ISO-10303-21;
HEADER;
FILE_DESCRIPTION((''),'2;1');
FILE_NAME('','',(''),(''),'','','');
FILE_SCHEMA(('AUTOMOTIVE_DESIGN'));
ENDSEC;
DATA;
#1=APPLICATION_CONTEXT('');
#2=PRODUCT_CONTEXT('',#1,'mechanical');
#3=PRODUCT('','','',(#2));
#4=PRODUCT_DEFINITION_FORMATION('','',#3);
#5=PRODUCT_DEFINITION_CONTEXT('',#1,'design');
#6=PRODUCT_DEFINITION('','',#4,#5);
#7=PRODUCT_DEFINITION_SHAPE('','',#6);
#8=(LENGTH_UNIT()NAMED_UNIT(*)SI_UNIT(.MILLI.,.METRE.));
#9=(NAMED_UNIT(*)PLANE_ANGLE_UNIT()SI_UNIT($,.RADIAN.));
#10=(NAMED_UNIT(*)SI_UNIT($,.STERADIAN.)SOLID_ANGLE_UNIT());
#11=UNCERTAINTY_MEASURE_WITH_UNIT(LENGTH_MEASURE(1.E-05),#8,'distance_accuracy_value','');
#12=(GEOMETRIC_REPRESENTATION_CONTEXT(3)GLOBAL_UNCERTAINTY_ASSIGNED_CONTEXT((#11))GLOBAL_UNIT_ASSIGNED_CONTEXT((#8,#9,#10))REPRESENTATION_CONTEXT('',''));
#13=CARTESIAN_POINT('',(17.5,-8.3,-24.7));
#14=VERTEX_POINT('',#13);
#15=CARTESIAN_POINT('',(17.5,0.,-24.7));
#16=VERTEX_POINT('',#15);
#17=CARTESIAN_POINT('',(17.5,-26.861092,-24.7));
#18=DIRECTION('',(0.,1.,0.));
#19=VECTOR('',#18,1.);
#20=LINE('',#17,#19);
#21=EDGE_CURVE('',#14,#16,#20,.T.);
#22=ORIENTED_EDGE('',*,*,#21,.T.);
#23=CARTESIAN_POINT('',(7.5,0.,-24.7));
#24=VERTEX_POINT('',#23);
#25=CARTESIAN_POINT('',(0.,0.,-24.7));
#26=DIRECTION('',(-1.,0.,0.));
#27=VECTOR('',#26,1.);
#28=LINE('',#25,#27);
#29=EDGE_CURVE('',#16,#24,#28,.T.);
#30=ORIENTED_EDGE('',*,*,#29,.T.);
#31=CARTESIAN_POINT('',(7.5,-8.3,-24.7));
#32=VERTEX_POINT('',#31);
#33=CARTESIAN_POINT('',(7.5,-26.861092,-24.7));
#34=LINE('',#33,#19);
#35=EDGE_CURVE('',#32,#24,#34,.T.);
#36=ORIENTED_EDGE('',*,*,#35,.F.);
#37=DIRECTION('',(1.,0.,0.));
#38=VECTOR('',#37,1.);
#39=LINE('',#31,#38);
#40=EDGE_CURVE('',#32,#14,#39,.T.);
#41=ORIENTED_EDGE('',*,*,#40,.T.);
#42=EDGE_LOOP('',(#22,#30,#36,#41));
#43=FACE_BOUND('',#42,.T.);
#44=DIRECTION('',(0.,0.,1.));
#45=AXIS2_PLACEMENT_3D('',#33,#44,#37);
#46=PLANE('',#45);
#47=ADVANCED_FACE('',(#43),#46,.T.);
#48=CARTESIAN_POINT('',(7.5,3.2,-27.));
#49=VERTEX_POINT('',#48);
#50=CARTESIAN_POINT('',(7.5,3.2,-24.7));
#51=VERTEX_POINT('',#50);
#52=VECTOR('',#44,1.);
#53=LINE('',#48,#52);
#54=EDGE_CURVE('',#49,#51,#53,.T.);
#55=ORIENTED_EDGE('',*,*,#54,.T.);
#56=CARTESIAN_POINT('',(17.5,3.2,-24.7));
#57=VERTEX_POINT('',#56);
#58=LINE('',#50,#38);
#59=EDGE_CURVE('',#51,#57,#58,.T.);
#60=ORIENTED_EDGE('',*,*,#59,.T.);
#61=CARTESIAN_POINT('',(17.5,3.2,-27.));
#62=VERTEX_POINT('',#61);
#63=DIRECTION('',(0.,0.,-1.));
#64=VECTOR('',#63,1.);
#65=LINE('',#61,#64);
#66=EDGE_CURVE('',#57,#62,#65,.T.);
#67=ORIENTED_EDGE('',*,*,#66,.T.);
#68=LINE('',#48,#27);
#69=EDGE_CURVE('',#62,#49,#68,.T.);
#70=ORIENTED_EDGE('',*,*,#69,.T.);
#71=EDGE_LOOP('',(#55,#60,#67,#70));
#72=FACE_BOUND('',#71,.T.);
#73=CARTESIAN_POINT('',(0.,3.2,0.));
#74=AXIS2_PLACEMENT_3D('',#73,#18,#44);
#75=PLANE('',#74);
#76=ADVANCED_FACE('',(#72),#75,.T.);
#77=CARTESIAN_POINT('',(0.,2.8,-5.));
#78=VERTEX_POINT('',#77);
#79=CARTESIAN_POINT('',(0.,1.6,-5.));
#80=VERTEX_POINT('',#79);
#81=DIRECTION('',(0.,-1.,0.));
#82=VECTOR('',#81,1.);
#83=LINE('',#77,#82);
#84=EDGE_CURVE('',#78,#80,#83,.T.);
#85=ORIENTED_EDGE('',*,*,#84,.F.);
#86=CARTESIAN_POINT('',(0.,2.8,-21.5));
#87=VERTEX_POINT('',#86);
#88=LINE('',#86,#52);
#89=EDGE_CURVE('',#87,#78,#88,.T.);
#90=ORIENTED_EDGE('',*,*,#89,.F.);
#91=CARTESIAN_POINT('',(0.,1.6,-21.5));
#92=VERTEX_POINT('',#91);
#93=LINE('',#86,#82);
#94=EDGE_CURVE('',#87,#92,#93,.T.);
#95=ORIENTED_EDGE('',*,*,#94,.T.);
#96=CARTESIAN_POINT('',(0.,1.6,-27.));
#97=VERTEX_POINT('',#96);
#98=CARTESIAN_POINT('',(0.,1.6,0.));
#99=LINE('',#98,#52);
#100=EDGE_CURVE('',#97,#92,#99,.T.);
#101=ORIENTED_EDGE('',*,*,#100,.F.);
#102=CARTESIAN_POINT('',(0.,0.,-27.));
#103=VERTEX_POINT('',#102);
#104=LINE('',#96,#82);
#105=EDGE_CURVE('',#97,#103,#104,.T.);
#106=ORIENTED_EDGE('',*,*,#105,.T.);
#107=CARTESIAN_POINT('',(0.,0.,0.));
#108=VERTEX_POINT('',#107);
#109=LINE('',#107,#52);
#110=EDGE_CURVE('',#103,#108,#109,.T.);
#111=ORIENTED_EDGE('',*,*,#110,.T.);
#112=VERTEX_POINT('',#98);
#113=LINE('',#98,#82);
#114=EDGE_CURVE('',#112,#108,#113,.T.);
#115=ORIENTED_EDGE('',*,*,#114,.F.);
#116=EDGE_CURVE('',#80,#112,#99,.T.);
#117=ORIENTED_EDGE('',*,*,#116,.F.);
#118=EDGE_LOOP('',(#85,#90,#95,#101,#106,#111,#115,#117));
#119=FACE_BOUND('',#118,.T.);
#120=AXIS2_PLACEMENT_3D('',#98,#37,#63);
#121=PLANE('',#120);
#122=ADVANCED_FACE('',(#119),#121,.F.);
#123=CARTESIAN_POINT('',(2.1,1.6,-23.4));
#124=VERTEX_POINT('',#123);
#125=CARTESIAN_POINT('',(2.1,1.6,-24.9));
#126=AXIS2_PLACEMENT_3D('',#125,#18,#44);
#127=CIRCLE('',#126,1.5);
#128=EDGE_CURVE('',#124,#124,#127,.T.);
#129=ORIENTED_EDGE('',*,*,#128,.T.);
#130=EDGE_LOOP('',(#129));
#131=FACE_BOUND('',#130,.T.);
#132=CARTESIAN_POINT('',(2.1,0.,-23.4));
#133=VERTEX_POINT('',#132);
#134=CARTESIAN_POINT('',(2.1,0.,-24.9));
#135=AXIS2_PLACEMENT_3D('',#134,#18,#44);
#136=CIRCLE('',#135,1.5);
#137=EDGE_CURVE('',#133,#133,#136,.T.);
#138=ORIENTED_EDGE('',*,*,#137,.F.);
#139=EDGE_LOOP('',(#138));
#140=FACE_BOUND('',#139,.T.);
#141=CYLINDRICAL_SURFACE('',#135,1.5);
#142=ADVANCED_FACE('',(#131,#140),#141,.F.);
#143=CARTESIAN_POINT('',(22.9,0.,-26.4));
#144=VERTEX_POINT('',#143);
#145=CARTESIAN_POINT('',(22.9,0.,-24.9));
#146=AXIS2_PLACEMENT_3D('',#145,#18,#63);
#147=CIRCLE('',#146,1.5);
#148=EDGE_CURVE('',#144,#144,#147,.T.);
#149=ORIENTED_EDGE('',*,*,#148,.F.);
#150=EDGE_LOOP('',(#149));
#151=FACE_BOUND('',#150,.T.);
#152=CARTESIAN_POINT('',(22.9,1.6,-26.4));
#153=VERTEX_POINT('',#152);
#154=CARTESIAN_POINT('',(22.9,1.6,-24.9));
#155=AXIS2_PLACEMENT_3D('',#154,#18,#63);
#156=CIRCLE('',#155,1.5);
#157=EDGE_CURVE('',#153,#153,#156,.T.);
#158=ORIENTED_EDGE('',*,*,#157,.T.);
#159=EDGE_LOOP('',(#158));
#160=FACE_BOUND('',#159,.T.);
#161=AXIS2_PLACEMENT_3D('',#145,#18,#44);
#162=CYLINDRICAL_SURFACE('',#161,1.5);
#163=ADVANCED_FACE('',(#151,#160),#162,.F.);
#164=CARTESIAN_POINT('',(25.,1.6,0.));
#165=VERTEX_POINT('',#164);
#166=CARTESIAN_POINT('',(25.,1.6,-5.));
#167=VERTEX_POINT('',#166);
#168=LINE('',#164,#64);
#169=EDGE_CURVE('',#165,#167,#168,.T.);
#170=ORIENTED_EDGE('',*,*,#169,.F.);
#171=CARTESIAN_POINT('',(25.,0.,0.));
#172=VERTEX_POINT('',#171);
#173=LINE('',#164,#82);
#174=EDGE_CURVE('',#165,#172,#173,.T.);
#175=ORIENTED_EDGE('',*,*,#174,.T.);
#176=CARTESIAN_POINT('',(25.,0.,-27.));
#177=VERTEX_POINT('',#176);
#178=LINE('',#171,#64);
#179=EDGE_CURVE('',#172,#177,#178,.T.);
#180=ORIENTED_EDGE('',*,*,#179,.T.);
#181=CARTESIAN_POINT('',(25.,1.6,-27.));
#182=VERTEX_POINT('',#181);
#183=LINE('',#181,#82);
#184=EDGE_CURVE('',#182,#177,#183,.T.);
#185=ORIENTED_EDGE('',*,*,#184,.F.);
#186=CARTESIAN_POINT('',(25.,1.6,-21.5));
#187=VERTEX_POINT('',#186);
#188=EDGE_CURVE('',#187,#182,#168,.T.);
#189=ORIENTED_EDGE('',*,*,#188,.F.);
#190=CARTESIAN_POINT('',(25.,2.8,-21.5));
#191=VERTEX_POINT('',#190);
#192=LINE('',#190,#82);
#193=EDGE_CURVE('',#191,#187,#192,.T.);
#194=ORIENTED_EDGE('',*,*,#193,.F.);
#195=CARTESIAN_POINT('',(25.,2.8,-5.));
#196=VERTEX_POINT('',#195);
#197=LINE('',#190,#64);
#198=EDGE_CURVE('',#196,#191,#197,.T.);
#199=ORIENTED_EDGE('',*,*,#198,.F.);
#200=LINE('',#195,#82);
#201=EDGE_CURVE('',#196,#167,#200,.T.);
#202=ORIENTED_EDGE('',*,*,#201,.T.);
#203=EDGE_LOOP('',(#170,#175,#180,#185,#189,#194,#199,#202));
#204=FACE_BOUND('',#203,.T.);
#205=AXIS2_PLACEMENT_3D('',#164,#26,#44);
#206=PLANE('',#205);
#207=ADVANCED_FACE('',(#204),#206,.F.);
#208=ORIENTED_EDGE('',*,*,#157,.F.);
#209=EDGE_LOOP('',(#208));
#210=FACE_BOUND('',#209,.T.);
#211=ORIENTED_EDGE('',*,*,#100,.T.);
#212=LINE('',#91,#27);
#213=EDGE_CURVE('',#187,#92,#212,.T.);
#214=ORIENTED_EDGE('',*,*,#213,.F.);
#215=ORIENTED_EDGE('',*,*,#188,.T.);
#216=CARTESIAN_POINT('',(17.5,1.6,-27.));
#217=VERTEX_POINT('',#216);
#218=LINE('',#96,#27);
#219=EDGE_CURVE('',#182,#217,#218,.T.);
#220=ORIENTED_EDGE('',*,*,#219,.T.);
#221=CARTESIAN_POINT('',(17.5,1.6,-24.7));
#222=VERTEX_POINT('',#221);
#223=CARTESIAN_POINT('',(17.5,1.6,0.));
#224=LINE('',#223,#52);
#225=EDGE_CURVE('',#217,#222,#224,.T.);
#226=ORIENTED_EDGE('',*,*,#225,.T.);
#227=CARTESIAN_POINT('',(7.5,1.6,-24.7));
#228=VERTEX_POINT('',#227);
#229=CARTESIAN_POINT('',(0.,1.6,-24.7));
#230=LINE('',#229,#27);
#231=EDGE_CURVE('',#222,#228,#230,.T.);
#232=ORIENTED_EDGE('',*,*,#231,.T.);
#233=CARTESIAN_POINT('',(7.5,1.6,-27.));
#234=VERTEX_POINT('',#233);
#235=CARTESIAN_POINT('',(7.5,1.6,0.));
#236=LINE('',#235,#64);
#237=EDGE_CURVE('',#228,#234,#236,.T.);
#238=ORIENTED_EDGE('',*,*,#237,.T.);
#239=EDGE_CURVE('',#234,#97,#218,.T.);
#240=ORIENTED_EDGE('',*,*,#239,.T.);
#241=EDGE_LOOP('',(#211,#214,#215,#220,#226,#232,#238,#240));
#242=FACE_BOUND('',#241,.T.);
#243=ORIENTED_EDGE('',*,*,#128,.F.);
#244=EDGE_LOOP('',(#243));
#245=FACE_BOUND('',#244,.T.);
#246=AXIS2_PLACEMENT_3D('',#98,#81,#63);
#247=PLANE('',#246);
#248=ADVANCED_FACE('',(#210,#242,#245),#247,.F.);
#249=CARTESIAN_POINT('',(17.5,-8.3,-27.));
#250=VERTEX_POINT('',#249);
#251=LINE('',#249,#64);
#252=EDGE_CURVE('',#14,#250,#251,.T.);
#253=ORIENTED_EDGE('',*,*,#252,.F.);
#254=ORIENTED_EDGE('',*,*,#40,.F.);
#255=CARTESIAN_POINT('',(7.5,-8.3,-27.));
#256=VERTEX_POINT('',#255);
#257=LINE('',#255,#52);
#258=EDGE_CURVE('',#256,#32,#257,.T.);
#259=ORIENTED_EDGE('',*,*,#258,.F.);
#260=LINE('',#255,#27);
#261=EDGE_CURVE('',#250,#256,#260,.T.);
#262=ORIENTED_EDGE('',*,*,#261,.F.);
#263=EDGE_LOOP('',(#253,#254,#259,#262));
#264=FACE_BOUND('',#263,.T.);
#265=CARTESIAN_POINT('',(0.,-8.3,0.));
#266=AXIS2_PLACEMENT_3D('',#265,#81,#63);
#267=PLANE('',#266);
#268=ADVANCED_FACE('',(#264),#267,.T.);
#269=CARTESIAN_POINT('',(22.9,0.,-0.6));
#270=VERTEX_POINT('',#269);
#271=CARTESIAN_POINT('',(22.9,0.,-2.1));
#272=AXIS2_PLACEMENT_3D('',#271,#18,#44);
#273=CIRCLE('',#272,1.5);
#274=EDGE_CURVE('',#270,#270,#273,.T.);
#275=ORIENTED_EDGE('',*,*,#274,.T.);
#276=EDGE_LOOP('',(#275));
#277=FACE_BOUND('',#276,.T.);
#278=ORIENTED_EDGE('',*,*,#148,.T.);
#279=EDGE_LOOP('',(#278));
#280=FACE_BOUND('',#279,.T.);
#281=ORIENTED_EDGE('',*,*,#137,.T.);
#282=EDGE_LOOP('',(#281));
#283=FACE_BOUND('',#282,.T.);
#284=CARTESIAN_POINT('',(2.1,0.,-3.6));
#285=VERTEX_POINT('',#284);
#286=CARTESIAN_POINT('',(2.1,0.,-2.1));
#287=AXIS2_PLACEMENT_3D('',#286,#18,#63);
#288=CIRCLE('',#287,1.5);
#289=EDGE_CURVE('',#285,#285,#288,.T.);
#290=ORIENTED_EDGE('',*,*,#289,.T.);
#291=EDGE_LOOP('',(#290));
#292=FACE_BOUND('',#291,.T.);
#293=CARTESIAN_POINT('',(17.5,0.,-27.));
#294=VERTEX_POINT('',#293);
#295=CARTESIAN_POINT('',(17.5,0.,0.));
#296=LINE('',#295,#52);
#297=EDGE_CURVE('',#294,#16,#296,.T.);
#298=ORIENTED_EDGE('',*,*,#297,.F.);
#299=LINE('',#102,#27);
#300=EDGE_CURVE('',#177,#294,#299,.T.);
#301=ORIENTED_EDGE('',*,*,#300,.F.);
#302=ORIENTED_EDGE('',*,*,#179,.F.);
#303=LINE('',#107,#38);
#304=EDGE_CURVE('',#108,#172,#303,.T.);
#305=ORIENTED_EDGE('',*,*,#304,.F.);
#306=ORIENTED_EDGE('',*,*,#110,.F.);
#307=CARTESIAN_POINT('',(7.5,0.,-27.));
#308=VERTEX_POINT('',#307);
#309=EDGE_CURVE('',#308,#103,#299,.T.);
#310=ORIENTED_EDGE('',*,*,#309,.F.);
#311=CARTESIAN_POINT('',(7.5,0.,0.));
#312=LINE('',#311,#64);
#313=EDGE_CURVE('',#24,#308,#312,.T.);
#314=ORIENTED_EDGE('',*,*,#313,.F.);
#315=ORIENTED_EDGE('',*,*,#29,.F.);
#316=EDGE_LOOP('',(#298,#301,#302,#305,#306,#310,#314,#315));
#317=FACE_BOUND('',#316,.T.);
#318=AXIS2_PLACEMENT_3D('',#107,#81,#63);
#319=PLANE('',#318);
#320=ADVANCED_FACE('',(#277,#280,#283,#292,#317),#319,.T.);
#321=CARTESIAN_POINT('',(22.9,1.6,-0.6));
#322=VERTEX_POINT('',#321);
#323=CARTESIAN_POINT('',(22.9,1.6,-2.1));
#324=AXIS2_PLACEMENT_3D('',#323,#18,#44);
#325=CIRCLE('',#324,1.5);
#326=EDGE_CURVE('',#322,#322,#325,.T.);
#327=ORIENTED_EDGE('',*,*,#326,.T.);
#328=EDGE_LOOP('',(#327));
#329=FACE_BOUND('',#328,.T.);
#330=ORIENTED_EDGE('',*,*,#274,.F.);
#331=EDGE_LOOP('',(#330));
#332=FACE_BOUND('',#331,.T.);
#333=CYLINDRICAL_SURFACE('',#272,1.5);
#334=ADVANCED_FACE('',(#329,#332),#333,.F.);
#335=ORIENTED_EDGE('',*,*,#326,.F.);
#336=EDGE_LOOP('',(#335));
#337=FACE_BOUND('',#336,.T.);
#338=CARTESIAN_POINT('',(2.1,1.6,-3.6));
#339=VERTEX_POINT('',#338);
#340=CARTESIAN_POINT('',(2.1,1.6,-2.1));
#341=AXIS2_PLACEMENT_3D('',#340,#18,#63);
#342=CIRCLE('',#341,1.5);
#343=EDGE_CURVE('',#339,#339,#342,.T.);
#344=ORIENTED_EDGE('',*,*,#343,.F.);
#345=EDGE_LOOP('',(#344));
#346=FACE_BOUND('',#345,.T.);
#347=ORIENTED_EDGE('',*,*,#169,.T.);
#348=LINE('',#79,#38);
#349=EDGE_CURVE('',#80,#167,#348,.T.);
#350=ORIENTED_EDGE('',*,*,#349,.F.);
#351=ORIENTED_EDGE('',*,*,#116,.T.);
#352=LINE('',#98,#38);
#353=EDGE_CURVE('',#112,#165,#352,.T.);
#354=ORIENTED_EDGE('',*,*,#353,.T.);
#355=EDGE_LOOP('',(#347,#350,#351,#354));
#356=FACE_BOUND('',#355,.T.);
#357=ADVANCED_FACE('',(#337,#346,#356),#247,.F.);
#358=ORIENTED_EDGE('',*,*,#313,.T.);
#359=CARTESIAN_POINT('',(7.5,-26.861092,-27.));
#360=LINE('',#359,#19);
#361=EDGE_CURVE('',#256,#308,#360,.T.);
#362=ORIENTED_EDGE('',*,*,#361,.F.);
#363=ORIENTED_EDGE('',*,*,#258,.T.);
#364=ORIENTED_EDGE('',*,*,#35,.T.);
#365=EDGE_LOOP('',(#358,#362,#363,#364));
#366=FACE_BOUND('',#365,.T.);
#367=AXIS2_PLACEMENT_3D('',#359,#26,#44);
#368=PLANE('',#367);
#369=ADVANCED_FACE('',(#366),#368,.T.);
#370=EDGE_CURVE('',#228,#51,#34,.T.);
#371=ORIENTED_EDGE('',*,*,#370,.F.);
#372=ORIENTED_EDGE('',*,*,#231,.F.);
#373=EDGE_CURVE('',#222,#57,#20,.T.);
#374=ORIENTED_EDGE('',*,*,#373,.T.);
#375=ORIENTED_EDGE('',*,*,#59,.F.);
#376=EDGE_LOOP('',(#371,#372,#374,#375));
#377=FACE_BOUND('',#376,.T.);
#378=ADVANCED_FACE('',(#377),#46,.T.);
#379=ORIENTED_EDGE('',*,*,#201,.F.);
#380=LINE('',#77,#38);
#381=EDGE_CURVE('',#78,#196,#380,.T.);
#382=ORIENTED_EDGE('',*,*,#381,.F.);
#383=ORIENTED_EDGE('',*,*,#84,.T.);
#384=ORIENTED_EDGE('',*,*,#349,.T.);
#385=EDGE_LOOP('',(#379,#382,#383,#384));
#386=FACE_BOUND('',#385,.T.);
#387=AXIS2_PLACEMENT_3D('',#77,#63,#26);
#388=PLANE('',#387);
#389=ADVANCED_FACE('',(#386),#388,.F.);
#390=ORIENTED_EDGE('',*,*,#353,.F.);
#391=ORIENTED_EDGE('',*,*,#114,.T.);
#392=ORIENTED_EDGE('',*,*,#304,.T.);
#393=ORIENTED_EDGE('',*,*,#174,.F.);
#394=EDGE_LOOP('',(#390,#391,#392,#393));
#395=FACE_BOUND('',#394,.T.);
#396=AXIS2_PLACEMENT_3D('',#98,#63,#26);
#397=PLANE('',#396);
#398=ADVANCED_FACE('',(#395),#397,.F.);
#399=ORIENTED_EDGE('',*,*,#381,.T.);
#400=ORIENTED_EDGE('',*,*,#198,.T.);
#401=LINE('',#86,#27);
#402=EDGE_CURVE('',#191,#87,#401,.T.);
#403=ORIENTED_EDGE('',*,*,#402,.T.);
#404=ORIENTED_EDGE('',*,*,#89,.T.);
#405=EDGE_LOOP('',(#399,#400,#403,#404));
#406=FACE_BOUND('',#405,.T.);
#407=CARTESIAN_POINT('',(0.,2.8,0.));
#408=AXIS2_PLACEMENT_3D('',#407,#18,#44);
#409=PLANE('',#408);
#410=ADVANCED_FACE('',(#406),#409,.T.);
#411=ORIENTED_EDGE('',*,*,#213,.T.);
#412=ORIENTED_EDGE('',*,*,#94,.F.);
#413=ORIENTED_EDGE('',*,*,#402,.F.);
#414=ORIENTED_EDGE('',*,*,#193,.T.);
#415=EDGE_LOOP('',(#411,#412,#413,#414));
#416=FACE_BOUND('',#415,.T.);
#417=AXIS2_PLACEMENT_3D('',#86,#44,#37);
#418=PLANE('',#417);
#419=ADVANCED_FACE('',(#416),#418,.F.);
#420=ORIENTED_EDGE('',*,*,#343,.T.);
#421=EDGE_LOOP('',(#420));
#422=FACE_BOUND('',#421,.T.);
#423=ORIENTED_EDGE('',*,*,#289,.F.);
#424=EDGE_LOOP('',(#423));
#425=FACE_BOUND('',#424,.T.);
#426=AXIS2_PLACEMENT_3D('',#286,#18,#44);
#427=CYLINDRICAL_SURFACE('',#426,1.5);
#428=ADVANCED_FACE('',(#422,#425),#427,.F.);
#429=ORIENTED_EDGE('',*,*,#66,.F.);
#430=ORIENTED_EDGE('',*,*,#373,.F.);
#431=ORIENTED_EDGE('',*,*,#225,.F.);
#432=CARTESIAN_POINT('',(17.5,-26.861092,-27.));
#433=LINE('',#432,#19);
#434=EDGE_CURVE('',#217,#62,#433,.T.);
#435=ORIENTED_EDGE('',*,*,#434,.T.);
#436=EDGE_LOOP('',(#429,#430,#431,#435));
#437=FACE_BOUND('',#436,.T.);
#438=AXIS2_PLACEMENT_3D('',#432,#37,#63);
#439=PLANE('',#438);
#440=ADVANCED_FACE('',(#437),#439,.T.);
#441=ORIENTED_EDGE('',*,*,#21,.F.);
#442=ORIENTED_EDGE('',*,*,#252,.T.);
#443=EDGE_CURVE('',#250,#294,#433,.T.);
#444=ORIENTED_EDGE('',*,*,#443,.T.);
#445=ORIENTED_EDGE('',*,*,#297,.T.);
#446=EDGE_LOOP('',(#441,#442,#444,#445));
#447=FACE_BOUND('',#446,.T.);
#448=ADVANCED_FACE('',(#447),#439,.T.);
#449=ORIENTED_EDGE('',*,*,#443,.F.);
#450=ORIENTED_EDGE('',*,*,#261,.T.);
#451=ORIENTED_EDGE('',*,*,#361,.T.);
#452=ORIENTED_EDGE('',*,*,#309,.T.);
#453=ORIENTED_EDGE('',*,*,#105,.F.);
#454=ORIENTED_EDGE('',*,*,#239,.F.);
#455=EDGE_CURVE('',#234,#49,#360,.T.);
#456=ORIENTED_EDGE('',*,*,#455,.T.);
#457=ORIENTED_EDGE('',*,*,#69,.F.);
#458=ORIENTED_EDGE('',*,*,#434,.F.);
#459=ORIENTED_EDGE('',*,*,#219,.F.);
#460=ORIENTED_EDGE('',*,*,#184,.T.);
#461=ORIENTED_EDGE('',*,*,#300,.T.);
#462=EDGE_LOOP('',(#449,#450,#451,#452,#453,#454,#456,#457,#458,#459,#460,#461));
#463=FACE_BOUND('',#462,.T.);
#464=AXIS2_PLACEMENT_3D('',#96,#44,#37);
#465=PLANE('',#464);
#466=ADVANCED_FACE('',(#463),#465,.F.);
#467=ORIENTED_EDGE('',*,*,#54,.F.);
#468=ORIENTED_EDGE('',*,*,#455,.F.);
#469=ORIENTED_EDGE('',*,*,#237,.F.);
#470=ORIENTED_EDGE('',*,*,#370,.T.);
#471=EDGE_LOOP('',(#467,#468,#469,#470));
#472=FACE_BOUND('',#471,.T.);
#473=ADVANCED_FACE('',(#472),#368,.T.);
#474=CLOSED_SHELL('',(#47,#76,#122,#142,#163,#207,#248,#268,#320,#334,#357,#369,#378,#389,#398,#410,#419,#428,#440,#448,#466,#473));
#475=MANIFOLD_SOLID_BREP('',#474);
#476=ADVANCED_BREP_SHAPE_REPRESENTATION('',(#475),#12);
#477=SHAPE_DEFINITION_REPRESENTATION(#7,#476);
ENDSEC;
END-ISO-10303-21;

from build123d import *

# Parameters (mm, degrees)
SKETCH_1_W           = 25
SKETCH_1_H           = 27
EXTRUDE_1_DEPTH      = 1.6
SKETCH_2_W           = 25
SKETCH_2_H           = 16.5
EXTRUDE_2_DEPTH      = 1.2
SKETCH_3_R           = 1.5
CUT_EXTRUDE_1_DEPTH  = 37.83150825
EXTRUDE_4_DEPTH      = 1.6
EXTRUDE_4_DEPTH_BACK = 9.9
SKETCH_5_W           = 10
SKETCH_5_H           = 2.3


with BuildPart() as part:
    # 草图1 → 凸台-拉伸1 (new body)
    with BuildSketch(Plane(origin=(0, 0, 0), x_dir=(1, 0, 0), z_dir=(0, 1, 0))):
        with Locations((12.5, 13.5)):
            Rectangle(SKETCH_1_W, SKETCH_1_H)
    extrude(amount=EXTRUDE_1_DEPTH)

    # 草图2 → 凸台-拉伸2 (add)
    with BuildSketch(Plane(origin=(0, 1.6, 0), x_dir=(1, 0, 0), z_dir=(0, 1, 0))):
        with Locations((12.5, 13.25)):
            Rectangle(SKETCH_2_W, SKETCH_2_H)
    extrude(amount=EXTRUDE_2_DEPTH)

    # 草图3 → 切除-拉伸1 (cut, through all)
    with BuildSketch(Plane(origin=(0, 1.6, 0), x_dir=(1, 0, 0), z_dir=(0, 1, 0))):
        with Locations(Location((2.1, 24.9, 0), (0, 0, 270))):
            Circle(SKETCH_3_R)
        with Locations(Location((22.9, 24.9, 0), (0, 0, 90))):
            Circle(SKETCH_3_R)
        with Locations(Location((22.9, 2.1, 0), (0, 0, 270))):
            Circle(SKETCH_3_R)
        with Locations(Location((2.1, 2.1, 0), (0, 0, 90))):
            Circle(SKETCH_3_R)
    extrude(amount=-CUT_EXTRUDE_1_DEPTH, mode=Mode.SUBTRACT)

    # 草图5 → 凸台-拉伸4 (add, two sides: drawn at the far end of the back side and taken through both)
    with BuildSketch(Plane(origin=(0, 1.6, 0), x_dir=(1, 0, 0), z_dir=(0, 1, 0)).offset(-EXTRUDE_4_DEPTH_BACK)):
        with Locations((12.5, 25.85)):
            Rectangle(SKETCH_5_W, SKETCH_5_H)
    extrude(amount=EXTRUDE_4_DEPTH + EXTRUDE_4_DEPTH_BACK)


solid = part.part
